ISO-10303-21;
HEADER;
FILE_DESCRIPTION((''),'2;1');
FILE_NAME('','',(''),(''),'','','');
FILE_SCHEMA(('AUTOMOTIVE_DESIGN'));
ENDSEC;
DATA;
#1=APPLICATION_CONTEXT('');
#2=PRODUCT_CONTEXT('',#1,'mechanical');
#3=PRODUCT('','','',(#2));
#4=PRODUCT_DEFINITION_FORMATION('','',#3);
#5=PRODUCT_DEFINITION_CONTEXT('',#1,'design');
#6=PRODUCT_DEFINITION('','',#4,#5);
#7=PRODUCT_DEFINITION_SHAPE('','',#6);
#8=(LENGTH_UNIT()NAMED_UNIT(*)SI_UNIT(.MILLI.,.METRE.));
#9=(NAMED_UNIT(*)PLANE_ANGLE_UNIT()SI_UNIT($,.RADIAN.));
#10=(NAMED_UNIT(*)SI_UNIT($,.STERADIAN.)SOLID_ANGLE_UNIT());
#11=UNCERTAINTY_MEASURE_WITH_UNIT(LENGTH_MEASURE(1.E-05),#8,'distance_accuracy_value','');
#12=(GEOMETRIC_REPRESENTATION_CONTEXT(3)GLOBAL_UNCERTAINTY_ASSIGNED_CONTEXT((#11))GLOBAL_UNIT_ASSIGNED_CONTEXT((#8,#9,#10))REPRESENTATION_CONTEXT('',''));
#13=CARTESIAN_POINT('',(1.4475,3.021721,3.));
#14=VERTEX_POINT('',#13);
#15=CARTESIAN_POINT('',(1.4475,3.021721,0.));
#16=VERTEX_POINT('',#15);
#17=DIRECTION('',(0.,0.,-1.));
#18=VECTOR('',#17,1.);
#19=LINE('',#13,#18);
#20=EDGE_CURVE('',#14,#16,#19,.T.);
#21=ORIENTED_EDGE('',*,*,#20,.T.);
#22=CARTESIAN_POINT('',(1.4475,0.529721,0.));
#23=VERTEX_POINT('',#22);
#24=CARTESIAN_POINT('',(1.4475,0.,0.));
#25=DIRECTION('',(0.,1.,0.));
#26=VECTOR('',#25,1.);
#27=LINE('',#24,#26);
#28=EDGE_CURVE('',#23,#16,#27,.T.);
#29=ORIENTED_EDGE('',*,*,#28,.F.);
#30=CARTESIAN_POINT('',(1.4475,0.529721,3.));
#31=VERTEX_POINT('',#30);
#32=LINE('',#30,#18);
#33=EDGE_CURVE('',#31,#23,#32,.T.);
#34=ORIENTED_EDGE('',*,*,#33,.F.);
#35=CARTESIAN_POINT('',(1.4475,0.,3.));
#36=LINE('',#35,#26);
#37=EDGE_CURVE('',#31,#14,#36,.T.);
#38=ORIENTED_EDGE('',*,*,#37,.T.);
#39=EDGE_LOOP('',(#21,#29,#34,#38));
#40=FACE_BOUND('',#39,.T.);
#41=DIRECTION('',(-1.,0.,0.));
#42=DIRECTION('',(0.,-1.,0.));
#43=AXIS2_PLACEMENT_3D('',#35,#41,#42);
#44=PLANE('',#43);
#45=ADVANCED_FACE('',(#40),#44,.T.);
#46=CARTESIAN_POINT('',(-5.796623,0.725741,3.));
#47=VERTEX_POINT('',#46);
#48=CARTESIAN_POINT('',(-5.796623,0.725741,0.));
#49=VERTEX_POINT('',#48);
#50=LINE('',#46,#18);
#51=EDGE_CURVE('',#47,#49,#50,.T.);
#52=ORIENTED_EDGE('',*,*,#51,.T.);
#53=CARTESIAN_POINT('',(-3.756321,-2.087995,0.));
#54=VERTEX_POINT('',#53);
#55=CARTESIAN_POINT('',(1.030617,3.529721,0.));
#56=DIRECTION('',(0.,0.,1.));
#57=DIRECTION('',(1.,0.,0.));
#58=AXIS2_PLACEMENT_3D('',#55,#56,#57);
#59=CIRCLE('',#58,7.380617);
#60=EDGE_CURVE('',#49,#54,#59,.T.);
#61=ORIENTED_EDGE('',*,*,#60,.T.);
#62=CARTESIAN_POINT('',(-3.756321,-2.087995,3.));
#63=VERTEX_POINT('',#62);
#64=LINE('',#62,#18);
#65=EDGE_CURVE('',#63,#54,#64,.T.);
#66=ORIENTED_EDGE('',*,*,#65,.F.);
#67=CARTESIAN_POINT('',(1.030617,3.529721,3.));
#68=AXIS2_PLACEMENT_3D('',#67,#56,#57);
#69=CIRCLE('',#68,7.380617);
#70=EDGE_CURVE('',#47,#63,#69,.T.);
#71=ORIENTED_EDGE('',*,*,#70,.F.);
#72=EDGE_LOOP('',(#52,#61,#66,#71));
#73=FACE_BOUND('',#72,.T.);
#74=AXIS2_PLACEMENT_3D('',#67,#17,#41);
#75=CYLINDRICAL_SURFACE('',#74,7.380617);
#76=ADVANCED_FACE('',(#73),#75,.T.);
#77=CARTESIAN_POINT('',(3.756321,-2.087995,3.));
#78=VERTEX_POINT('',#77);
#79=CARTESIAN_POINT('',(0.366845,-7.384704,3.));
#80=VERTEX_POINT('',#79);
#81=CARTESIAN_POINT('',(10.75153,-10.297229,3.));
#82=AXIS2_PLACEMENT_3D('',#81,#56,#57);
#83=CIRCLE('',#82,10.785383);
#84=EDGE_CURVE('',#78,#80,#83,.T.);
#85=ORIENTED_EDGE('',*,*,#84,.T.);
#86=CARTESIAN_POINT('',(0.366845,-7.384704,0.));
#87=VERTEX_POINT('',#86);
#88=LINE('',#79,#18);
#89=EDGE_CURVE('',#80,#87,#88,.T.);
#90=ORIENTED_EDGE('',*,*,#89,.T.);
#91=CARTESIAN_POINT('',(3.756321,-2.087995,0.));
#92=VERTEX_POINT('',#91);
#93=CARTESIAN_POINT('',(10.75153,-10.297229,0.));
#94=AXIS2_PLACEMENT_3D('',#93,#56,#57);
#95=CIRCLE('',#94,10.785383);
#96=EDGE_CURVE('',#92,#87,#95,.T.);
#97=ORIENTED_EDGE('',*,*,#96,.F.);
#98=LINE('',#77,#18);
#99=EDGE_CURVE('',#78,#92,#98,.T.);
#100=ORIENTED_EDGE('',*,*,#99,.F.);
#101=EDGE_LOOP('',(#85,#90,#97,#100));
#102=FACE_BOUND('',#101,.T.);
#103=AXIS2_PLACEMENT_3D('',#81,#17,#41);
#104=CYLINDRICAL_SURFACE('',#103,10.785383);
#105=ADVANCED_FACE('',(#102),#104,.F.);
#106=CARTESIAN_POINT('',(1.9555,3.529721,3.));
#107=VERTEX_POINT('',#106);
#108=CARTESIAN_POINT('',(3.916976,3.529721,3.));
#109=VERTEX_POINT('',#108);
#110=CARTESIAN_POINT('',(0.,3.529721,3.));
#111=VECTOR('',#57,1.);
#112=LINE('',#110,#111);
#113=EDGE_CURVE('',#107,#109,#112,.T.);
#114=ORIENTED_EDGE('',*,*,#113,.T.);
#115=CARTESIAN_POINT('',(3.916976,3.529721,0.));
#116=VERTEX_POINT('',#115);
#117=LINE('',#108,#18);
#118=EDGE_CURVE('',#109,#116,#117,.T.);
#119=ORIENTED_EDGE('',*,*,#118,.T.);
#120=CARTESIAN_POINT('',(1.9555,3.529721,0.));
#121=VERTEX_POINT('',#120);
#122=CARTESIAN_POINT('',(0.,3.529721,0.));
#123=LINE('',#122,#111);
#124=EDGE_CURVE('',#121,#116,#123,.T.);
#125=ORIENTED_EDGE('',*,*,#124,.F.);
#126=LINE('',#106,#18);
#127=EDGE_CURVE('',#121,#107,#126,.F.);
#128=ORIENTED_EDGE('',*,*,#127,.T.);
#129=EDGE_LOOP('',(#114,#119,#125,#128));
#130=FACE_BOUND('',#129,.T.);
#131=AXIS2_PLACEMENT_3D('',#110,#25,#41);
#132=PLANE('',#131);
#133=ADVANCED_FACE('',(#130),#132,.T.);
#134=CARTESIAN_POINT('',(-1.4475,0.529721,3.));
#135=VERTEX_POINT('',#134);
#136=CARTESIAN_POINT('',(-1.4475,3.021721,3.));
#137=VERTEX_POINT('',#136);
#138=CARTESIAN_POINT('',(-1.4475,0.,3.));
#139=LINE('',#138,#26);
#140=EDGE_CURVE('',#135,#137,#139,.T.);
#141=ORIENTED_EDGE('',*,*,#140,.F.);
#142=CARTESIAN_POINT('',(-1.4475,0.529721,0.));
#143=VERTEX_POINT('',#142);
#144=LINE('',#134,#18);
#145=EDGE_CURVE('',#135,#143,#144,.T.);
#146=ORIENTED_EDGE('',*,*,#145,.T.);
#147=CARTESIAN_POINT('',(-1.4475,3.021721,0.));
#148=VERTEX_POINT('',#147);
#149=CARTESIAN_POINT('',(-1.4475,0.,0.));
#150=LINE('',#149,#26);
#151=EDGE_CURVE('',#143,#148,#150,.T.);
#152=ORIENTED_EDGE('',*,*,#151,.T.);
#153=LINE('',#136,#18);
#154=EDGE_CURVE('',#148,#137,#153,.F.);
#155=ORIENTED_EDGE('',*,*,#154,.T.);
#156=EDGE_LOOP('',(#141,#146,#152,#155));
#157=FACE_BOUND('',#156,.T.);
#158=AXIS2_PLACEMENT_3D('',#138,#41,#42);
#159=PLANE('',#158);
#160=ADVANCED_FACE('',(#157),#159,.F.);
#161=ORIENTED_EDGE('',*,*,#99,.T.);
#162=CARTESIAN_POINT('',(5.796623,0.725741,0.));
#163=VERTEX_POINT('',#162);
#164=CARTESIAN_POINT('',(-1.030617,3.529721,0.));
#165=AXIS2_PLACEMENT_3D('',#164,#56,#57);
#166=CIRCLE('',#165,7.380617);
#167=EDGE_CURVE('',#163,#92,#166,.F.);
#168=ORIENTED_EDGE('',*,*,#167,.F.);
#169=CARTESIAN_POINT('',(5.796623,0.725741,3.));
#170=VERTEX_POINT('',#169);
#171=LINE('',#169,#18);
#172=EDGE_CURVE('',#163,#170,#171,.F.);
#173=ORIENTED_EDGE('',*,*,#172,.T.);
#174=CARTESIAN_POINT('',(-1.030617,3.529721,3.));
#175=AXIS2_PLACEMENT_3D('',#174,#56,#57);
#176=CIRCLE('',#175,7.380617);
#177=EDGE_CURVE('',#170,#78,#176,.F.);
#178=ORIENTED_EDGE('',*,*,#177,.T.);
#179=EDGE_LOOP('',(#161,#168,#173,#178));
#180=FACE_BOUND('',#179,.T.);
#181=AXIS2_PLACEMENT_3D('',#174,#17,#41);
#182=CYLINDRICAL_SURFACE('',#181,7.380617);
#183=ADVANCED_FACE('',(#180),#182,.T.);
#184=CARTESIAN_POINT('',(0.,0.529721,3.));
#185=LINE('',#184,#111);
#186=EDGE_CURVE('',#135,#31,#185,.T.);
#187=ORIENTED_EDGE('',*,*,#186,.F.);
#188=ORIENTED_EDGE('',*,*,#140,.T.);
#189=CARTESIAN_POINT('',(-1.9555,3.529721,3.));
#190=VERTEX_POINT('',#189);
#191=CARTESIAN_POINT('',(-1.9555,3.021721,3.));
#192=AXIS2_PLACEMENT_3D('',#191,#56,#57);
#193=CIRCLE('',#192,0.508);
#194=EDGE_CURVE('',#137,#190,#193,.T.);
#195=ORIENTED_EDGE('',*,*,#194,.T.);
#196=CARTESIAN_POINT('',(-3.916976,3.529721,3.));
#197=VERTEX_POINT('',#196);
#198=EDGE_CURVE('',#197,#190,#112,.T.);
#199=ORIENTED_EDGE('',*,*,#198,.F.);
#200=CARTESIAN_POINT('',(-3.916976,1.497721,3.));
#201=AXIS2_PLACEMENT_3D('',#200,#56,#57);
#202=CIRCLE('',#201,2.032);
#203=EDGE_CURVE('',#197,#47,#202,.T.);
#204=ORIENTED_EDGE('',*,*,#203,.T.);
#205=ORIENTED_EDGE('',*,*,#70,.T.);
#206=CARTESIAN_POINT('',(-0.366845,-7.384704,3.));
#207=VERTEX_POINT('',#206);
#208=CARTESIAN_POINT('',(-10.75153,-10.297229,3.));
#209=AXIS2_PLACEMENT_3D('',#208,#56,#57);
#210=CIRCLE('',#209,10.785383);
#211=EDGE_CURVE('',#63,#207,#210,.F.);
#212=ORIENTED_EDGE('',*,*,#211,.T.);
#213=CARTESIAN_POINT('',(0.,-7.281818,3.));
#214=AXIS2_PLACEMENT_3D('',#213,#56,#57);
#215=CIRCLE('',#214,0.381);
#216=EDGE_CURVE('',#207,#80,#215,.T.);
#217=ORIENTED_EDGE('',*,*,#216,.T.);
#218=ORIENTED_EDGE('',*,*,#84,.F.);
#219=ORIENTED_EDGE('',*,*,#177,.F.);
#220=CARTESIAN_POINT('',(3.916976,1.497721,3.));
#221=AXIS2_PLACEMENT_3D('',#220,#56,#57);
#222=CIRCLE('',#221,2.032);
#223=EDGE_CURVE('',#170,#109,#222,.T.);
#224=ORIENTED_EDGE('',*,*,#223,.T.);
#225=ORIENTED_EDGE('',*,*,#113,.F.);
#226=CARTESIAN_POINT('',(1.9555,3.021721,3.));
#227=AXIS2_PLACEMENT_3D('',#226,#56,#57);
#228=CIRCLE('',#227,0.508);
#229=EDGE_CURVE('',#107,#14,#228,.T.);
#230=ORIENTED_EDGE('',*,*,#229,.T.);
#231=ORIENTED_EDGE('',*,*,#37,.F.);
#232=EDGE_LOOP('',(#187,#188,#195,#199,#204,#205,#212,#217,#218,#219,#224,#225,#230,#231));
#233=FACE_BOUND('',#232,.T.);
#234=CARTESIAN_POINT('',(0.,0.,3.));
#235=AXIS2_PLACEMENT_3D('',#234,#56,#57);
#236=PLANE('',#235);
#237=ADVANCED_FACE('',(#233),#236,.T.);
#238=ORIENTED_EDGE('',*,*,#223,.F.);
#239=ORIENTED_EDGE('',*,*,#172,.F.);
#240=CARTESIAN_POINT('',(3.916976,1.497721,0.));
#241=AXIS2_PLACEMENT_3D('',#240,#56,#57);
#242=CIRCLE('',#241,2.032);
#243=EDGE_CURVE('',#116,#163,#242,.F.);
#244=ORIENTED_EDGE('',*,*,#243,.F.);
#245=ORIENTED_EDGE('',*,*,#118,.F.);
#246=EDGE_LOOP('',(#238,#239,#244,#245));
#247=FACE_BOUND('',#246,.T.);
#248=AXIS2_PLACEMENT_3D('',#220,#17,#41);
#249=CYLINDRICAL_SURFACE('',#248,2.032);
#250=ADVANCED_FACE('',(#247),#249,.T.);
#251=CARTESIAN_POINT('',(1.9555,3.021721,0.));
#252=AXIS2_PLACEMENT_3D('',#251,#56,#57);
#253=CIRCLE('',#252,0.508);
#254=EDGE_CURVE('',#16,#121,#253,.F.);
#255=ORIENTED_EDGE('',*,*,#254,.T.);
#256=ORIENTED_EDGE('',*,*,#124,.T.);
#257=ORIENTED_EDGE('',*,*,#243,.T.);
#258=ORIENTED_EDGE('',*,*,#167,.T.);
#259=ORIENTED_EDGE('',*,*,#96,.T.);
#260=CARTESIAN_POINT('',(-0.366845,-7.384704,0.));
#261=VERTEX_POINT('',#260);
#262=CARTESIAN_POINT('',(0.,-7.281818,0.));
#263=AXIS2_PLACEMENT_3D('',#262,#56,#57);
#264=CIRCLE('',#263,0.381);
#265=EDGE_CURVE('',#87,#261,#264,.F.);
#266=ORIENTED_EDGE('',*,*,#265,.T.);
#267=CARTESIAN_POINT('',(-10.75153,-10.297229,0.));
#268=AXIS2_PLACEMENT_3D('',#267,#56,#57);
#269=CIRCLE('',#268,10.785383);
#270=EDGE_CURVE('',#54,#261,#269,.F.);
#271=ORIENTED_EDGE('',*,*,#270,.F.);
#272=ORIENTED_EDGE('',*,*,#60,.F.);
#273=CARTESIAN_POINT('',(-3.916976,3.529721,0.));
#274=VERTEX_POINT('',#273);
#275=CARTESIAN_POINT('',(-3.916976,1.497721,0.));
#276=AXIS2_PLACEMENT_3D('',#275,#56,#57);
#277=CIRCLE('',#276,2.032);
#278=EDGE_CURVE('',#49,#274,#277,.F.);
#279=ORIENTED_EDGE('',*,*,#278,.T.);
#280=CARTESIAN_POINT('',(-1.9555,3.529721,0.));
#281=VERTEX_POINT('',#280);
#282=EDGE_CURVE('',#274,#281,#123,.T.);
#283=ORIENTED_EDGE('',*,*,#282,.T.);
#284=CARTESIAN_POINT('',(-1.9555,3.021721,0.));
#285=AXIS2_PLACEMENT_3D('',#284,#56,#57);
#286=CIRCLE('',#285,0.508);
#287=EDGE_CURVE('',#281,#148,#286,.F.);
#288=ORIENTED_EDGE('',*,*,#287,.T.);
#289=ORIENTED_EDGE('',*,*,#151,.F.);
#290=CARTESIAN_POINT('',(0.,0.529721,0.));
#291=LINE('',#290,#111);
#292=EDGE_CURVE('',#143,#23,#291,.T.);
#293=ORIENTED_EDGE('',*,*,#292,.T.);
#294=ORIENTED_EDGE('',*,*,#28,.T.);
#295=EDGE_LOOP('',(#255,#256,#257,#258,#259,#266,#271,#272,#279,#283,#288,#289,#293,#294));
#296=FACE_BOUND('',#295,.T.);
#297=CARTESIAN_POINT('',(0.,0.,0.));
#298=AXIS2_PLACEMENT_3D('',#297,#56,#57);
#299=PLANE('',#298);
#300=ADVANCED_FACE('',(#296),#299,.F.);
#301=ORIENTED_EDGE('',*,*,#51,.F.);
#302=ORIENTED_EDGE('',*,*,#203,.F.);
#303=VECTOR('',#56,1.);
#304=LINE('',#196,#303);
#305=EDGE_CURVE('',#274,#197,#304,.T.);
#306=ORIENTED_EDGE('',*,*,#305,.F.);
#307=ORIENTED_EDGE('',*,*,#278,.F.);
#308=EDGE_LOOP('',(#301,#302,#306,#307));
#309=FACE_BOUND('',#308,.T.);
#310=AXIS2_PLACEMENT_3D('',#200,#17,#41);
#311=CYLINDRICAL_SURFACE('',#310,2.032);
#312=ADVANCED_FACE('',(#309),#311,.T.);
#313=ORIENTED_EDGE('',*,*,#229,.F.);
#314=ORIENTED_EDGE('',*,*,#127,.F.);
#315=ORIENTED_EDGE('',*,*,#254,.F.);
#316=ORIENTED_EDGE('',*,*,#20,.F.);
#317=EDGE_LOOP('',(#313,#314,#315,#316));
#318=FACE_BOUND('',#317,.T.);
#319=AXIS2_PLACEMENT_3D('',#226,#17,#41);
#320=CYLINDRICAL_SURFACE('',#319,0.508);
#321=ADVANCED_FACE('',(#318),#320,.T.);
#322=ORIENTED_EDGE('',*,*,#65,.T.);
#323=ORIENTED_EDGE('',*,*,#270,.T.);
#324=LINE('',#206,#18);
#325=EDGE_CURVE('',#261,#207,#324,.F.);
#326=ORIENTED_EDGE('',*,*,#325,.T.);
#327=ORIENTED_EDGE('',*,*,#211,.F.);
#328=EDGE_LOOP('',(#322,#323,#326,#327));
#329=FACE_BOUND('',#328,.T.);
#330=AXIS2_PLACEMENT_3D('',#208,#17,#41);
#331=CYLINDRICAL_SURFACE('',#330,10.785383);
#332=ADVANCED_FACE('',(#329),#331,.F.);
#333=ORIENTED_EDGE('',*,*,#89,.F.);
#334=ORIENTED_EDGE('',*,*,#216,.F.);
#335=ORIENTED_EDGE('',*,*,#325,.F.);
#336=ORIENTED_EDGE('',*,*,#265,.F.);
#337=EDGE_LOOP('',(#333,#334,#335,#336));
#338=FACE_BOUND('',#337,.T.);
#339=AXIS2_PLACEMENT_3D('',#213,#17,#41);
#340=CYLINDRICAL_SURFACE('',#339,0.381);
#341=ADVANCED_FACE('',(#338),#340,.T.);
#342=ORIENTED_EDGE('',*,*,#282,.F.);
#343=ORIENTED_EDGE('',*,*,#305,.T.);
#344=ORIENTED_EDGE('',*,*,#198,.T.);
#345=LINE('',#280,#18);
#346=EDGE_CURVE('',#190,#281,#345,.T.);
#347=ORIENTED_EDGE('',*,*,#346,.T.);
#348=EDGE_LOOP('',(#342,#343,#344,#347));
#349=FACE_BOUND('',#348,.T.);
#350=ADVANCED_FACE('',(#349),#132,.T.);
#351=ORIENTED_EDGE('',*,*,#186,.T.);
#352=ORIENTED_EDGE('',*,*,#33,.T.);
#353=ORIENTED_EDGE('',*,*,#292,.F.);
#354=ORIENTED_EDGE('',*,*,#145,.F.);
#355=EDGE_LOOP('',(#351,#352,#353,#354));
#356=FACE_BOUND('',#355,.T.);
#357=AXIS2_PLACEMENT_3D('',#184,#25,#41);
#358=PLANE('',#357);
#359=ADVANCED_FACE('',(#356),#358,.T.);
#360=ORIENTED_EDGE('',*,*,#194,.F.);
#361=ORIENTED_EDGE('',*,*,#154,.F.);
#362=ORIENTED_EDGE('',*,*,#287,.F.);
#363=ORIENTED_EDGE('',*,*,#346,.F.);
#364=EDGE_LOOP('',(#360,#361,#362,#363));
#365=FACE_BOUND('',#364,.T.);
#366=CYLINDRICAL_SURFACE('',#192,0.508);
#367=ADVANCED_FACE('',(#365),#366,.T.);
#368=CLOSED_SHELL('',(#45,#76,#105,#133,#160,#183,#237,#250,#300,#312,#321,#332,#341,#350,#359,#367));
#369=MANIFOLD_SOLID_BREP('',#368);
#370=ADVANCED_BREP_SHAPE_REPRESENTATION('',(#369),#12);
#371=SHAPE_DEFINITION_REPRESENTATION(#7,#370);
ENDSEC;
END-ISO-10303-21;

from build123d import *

# Parameters (mm, degrees)
EXTRUDE_1_DEPTH = 3
FILLET_1_R      = 0.381
FILLET_2_R      = 2.032
FILLET_3_R      = 0.508


with BuildPart() as part:
    # 스케치1 → 보스-돌출1 (new body)
    with BuildSketch(Plane.XY):
        with BuildLine():
            ThreePointArc((6.35, 3.529721173), (5.670280833, 0.435941066), (3.756321038, -2.08799463))
            ThreePointArc((3.756321038, -2.08799463), (1.146216202, -5.391882357), (0, -9.443364775))
            ThreePointArc((0, -9.443364775), (-1.146216202, -5.391882357), (-3.756321038, -2.08799463))
            ThreePointArc((-3.756321038, -2.08799463), (-5.670280833, 0.435941066), (-6.35, 3.529721173))
            Line((-6.35, 3.529721173), (-1.4475, 3.529721173))
            Line((-1.4475, 3.529721173), (-1.4475, 0.529721173))
            Line((-1.4475, 0.529721173), (1.4475, 0.529721173))
            Line((1.4475, 0.529721173), (1.4475, 3.529721173))
            Line((1.4475, 3.529721173), (6.35, 3.529721173))
        make_face()
    extrude(amount=EXTRUDE_1_DEPTH)

    # 필렛1
    fillet_1_edges = [part.edges().sort_by_distance(p)[0] for p in [
        (0, -9.443364775, 1.5),
    ]]
    fillet(fillet_1_edges, radius=FILLET_1_R)

    # 필렛2
    fillet_2_edges = [part.edges().sort_by_distance(p)[0] for p in [
        (-6.35, 3.529721173, 1.5),
        (6.35, 3.529721173, 1.5),
    ]]
    fillet(fillet_2_edges, radius=FILLET_2_R)

    # 필렛3
    fillet_3_edges = [part.edges().sort_by_distance(p)[0] for p in [
        (-1.4475, 3.529721173, 1.5),
        (1.4475, 3.529721173, 1.5),
    ]]
    fillet(fillet_3_edges, radius=FILLET_3_R)


solid = part.part
